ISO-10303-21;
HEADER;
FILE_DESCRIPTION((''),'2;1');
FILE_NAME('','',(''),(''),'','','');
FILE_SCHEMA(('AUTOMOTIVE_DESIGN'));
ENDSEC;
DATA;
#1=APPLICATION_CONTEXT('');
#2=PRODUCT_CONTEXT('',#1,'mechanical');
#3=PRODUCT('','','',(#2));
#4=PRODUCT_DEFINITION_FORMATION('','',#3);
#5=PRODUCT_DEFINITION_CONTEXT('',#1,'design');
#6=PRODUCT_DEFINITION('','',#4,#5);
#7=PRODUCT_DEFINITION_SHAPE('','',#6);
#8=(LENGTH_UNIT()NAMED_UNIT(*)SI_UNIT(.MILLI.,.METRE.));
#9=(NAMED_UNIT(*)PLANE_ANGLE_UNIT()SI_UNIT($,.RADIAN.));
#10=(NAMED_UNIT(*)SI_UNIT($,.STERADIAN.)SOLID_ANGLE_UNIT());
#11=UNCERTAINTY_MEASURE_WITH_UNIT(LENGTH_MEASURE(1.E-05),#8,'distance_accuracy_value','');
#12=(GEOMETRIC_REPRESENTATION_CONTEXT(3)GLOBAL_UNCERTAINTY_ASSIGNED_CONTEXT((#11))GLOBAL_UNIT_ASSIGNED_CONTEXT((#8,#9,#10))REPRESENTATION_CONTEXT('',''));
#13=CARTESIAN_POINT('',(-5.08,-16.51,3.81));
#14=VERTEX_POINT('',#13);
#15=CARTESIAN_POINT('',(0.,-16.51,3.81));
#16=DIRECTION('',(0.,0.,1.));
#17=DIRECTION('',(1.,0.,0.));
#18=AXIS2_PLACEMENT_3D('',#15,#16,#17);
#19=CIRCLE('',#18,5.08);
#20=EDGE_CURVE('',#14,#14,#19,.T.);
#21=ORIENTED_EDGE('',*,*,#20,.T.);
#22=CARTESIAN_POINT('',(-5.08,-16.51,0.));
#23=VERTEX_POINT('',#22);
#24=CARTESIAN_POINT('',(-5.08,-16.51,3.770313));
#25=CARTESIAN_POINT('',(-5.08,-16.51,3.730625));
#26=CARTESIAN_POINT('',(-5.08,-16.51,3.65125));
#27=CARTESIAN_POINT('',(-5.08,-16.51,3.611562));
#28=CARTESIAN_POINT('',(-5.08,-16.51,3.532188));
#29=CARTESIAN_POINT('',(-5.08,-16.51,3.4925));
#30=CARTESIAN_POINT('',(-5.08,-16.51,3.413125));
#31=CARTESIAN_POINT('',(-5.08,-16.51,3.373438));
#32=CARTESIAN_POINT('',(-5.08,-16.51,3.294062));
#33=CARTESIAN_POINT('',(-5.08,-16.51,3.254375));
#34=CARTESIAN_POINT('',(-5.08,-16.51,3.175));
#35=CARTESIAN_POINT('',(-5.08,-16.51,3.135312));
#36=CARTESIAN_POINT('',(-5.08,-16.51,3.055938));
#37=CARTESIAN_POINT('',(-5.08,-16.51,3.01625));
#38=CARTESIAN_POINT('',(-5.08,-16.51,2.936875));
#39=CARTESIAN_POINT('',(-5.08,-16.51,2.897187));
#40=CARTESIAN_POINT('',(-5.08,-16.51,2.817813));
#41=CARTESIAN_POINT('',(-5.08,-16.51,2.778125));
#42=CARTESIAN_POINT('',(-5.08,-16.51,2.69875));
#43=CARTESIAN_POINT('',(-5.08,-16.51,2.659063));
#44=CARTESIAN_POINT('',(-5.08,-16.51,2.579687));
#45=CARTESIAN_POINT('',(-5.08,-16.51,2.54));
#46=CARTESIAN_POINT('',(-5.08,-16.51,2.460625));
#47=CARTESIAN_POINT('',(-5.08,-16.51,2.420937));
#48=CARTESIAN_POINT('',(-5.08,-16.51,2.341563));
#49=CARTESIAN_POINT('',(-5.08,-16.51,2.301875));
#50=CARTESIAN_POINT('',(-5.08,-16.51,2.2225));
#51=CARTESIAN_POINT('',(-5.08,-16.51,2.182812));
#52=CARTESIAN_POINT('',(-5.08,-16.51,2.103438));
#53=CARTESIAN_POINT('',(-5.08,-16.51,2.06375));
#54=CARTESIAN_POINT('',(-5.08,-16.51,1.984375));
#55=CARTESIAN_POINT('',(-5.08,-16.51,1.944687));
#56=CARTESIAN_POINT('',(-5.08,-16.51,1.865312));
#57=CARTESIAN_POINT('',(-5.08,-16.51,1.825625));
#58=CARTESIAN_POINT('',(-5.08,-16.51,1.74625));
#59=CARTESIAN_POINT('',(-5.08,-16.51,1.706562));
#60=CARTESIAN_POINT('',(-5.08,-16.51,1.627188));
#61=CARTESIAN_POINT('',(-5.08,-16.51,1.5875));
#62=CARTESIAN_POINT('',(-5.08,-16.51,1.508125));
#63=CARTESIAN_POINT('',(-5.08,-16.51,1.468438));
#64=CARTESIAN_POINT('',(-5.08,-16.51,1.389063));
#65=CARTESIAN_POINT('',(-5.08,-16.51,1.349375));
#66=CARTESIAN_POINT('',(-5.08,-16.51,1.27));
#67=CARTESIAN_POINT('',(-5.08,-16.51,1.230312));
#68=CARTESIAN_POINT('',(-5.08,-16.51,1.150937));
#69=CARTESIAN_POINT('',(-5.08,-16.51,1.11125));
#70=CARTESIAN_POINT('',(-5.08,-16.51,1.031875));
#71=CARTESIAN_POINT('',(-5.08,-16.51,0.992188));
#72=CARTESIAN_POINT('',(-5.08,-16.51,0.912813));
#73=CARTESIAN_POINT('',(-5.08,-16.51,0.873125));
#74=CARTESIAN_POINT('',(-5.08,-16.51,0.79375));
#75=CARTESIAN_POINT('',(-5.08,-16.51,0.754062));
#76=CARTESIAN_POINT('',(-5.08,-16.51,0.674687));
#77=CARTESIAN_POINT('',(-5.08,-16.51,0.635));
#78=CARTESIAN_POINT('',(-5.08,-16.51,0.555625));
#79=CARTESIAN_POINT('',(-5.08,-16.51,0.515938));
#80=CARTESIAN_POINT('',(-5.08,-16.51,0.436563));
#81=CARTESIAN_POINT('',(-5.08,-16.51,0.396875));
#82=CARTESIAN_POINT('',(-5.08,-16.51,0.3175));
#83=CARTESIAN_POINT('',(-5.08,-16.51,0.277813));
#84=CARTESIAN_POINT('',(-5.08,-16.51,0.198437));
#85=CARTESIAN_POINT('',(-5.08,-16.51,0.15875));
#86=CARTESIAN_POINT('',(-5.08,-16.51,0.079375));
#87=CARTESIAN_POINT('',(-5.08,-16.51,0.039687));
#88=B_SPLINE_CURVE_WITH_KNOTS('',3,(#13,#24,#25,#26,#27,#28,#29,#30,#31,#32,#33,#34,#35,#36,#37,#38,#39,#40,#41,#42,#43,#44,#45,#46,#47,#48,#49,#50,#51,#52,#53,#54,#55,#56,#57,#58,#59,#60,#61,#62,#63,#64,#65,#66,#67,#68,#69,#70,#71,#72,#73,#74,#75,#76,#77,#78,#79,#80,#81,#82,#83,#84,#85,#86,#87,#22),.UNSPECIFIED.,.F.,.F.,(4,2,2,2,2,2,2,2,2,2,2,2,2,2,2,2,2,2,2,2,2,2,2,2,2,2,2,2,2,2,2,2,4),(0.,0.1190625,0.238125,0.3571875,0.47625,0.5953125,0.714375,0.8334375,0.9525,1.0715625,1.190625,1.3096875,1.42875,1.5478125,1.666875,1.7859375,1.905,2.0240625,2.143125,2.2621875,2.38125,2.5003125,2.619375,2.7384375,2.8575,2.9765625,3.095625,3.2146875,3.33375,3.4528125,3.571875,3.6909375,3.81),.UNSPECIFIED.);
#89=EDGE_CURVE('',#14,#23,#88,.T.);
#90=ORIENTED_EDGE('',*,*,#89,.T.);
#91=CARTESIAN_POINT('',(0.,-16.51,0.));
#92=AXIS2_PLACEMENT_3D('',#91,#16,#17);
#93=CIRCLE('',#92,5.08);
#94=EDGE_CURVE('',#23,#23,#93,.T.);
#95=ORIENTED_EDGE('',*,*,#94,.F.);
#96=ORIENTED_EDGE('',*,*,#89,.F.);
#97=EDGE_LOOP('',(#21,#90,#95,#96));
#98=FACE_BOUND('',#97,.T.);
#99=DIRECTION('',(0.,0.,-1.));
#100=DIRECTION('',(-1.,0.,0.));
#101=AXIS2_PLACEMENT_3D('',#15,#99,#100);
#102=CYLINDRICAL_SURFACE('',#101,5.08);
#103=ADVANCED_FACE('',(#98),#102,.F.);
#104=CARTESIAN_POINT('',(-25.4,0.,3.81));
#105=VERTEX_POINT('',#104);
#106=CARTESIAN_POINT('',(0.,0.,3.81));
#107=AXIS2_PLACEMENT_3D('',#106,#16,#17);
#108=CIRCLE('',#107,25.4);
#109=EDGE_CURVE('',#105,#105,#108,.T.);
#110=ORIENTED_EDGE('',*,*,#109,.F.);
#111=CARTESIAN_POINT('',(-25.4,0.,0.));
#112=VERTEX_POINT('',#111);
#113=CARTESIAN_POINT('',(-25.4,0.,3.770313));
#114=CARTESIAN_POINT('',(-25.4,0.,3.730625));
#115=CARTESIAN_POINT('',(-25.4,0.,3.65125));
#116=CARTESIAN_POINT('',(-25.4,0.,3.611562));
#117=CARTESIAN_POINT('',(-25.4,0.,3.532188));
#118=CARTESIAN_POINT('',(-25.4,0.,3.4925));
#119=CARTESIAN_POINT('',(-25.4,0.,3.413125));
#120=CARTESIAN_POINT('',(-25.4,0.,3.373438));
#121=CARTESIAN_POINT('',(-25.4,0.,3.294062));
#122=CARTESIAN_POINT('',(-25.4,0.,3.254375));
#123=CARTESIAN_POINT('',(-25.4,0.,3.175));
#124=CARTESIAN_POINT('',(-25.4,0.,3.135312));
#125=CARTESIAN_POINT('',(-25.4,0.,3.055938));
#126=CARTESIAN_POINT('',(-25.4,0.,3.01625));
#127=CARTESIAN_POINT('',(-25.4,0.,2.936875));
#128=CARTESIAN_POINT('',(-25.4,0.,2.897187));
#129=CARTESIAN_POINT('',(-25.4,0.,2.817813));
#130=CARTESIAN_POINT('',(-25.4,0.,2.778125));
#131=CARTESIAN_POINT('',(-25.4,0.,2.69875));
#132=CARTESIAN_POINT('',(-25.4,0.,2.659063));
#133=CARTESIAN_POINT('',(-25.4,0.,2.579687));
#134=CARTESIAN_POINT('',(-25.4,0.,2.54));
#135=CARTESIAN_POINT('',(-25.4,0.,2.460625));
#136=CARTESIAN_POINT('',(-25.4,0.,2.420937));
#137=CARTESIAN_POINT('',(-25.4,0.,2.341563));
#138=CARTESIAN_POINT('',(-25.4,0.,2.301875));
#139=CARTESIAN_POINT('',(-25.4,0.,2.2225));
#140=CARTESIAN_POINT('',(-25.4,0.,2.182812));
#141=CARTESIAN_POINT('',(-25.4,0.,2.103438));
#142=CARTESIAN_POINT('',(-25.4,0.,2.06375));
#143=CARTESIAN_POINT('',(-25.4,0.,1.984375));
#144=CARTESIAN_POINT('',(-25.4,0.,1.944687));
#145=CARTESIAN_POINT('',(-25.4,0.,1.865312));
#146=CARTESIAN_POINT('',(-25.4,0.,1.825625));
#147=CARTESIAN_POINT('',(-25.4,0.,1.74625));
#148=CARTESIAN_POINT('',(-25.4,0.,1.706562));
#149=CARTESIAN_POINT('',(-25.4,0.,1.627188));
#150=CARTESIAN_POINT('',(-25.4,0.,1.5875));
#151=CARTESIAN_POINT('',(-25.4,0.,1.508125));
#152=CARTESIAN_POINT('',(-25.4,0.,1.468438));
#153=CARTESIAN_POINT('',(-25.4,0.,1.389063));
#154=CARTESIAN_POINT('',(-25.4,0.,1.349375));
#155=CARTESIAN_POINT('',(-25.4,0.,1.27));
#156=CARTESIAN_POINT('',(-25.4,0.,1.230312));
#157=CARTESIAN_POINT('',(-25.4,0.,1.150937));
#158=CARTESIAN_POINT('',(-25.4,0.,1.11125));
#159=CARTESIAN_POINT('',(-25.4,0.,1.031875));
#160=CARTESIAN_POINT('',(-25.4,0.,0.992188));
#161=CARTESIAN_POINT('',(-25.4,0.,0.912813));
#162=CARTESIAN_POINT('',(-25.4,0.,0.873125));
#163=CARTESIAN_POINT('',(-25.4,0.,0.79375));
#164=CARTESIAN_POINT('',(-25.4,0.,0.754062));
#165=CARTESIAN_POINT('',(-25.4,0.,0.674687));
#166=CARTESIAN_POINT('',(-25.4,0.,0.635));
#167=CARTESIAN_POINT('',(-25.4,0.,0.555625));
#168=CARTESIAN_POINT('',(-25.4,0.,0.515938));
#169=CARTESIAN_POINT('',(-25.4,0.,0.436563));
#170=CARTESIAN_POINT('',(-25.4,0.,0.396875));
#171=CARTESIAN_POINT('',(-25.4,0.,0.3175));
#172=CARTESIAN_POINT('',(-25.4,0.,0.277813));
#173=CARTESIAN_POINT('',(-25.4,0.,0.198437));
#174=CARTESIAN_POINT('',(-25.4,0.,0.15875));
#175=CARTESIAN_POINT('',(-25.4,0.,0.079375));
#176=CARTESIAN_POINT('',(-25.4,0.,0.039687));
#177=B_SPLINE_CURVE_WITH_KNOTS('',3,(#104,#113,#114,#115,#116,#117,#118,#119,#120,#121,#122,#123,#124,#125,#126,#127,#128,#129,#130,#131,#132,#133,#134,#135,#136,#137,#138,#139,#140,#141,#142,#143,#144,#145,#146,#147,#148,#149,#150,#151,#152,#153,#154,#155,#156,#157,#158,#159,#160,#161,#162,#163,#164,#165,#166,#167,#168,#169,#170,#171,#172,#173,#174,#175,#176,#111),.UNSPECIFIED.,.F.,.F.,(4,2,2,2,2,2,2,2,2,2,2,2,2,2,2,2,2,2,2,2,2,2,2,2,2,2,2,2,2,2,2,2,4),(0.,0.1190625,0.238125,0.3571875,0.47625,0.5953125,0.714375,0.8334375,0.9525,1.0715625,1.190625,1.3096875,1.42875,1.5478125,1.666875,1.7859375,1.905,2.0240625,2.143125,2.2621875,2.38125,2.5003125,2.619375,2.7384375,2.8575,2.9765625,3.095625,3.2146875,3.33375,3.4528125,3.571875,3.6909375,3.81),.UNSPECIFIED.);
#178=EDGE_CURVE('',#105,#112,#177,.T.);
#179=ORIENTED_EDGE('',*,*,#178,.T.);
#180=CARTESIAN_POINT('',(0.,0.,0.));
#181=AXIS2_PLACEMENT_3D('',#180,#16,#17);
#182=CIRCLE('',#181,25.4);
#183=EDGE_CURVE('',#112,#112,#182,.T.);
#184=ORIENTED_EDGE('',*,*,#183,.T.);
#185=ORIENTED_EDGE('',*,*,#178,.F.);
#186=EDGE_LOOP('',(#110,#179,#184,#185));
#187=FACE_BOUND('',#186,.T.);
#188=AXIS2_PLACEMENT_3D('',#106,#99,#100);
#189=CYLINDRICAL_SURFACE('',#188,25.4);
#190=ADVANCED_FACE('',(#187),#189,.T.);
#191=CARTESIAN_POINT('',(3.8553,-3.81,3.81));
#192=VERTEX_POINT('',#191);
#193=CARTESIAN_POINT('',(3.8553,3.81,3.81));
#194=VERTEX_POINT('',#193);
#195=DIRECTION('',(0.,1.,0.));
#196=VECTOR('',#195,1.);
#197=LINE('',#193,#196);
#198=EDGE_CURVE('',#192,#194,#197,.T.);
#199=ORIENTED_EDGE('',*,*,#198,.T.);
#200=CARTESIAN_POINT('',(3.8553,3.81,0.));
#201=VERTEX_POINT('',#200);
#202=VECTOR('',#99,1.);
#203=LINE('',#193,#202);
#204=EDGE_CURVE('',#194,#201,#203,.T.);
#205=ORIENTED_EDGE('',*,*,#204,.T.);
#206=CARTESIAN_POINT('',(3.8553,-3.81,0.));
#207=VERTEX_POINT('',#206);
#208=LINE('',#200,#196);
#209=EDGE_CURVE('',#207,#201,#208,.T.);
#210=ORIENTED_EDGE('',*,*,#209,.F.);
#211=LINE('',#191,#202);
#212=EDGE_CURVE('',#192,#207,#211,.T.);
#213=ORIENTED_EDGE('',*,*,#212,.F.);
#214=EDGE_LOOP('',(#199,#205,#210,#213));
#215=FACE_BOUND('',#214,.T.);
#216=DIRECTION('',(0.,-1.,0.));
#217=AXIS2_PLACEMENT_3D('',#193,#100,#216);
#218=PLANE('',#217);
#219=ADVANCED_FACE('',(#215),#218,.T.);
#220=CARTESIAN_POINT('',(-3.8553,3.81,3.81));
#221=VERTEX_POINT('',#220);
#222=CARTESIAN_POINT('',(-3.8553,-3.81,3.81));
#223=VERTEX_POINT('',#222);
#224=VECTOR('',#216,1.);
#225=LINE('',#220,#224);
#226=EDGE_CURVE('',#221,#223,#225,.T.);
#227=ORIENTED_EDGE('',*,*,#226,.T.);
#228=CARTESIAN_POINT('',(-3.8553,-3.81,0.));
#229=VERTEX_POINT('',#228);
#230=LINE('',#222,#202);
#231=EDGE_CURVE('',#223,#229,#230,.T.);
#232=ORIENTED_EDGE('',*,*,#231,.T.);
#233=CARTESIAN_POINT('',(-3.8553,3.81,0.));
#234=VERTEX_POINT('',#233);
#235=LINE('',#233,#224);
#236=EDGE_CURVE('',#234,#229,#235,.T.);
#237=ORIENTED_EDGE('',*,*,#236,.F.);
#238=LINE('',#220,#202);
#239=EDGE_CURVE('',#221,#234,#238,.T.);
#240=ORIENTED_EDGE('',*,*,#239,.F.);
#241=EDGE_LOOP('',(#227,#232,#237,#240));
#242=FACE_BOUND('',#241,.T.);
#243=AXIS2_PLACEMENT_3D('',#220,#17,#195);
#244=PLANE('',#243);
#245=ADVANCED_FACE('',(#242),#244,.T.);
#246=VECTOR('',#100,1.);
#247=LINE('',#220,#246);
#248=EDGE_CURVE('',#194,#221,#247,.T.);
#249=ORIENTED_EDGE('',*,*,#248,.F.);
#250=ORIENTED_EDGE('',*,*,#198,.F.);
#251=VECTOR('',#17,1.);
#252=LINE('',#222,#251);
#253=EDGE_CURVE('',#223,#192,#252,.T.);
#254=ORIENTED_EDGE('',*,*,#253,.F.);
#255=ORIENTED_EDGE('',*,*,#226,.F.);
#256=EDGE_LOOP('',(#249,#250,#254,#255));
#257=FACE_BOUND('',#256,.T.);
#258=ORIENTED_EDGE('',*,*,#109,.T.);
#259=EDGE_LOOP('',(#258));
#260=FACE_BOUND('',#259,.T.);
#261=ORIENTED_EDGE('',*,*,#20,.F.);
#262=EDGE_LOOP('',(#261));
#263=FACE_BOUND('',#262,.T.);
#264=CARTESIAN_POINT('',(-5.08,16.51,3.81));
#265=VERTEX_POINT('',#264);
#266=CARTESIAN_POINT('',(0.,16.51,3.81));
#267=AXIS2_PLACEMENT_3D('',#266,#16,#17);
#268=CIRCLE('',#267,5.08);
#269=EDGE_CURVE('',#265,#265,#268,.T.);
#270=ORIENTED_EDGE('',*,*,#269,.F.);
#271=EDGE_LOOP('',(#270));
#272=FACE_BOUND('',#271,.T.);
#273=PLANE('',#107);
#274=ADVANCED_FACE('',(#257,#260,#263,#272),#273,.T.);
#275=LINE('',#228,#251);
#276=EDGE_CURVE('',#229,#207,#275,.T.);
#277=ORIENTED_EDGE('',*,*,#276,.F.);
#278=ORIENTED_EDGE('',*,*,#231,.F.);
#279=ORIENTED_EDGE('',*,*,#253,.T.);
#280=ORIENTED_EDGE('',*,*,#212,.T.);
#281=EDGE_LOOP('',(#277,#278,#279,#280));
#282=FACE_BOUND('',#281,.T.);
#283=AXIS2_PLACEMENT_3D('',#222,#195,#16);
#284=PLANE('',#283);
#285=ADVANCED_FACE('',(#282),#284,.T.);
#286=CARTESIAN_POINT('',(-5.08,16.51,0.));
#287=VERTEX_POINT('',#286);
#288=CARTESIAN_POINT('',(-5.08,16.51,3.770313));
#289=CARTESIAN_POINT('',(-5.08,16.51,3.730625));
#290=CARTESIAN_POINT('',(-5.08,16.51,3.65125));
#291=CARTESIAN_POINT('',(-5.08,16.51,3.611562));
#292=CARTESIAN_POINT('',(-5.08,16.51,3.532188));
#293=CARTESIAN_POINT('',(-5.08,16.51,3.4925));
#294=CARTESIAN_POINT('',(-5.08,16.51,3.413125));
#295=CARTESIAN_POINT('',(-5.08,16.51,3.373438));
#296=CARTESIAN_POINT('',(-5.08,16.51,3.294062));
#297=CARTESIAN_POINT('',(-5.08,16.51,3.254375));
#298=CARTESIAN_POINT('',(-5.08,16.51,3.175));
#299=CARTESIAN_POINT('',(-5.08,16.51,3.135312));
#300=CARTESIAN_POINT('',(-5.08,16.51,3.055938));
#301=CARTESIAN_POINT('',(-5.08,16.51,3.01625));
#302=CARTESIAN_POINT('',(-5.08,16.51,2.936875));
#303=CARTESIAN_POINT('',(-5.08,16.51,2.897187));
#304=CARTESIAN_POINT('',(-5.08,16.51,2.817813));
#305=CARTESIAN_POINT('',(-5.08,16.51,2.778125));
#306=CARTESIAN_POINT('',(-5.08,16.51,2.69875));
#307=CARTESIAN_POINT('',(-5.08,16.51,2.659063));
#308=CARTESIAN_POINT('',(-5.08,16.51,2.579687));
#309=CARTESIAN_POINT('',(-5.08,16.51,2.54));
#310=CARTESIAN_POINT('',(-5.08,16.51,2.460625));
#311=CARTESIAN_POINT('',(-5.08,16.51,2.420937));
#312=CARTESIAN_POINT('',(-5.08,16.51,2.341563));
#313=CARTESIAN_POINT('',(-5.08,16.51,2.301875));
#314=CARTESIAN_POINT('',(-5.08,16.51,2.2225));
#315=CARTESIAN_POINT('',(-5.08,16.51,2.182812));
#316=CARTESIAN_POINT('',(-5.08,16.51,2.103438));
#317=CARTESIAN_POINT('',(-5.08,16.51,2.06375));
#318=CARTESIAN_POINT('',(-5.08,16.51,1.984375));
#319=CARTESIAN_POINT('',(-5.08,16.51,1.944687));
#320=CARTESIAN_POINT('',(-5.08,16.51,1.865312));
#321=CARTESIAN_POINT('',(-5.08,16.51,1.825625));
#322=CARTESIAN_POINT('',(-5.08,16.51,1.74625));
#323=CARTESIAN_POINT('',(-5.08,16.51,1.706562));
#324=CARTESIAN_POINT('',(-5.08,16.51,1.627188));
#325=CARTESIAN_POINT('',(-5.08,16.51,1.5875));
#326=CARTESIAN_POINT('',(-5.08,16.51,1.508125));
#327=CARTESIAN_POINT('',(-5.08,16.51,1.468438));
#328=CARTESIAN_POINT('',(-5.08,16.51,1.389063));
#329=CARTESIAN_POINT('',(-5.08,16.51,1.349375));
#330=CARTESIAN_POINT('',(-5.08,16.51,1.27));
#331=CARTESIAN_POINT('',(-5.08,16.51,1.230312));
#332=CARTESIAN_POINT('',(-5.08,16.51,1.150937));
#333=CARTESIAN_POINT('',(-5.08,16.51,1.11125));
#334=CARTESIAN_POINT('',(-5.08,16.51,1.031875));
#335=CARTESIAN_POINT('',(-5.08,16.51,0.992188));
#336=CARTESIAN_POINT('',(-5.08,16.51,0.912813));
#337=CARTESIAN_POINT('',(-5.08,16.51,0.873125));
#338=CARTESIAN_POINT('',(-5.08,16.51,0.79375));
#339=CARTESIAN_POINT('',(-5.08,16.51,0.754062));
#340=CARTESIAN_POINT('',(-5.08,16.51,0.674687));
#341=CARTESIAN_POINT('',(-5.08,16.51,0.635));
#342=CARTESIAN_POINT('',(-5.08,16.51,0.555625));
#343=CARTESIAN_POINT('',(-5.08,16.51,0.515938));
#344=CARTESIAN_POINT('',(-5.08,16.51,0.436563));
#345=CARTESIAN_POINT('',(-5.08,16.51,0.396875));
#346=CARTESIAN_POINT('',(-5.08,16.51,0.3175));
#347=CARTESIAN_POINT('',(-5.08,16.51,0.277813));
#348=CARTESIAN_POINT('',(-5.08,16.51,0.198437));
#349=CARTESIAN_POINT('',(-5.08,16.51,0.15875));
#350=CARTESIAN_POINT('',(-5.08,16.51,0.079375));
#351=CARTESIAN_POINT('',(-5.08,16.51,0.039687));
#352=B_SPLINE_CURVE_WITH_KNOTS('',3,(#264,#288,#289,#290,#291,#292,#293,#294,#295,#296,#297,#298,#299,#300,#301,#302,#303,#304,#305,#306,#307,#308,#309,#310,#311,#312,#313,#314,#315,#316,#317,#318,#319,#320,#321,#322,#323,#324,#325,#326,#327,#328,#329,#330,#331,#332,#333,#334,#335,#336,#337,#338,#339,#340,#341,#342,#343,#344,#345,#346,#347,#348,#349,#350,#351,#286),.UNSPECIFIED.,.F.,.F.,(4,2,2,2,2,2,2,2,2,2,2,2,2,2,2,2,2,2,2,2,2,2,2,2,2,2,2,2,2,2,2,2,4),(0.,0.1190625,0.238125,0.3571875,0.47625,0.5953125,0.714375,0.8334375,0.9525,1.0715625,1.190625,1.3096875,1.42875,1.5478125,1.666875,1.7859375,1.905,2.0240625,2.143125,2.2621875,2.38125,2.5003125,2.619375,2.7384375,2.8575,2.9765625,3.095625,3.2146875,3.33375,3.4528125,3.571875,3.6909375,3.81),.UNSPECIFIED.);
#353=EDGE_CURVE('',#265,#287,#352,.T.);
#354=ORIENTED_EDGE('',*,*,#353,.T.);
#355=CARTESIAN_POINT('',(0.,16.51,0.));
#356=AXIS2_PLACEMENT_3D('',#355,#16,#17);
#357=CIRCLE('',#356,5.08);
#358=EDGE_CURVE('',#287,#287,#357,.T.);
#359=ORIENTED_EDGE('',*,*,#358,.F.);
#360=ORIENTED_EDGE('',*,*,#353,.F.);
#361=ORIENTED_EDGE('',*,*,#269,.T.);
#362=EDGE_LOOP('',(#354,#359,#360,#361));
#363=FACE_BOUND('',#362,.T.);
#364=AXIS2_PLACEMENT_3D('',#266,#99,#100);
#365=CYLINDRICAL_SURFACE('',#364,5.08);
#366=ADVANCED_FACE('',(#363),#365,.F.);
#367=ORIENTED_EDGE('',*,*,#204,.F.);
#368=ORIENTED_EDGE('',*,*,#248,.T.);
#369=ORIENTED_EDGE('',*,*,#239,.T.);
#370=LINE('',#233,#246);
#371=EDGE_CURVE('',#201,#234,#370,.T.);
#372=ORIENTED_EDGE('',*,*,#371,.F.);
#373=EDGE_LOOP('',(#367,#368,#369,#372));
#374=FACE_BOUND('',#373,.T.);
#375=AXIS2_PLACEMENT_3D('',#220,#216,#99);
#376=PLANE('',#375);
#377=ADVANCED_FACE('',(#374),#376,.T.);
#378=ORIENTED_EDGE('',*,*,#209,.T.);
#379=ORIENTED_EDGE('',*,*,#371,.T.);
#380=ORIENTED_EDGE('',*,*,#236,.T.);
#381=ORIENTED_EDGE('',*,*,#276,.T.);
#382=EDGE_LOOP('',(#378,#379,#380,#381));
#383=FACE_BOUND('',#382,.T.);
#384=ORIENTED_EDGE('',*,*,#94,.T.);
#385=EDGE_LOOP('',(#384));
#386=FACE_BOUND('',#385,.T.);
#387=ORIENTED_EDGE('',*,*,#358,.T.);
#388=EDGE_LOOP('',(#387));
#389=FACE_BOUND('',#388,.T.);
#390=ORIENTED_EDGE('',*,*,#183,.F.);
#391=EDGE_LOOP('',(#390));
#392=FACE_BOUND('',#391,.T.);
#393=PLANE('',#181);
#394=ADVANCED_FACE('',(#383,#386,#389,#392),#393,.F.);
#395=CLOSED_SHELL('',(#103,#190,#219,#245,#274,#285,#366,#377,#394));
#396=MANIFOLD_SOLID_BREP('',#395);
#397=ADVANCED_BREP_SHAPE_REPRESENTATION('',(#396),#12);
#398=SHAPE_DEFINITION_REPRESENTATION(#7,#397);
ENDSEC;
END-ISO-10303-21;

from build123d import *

# Parameters (mm, degrees)
SKETCH1_R           = 25.4
SKETCH1_R_2         = 5.08
SKETCH1_W           = 7.710600268
SKETCH1_H           = 7.62
BOSS_EXTRUDE1_DEPTH = 3.81


with BuildPart() as part:
    # Sketch1 → Boss-Extrude1 (new body)
    with BuildSketch(Plane.XY):
        with Locations(Location((0, 0, 0), (0, 0, 180))):
            Circle(SKETCH1_R)
        with Locations(Location((0, 16.51, 0), (0, 0, 180))):
            Circle(SKETCH1_R_2, mode=Mode.SUBTRACT)
        with Locations(Location((0, -16.51, 0), (0, 0, 180))):
            Circle(SKETCH1_R_2, mode=Mode.SUBTRACT)
        Rectangle(SKETCH1_W, SKETCH1_H, mode=Mode.SUBTRACT)
    extrude(amount=BOSS_EXTRUDE1_DEPTH)


solid = part.part
